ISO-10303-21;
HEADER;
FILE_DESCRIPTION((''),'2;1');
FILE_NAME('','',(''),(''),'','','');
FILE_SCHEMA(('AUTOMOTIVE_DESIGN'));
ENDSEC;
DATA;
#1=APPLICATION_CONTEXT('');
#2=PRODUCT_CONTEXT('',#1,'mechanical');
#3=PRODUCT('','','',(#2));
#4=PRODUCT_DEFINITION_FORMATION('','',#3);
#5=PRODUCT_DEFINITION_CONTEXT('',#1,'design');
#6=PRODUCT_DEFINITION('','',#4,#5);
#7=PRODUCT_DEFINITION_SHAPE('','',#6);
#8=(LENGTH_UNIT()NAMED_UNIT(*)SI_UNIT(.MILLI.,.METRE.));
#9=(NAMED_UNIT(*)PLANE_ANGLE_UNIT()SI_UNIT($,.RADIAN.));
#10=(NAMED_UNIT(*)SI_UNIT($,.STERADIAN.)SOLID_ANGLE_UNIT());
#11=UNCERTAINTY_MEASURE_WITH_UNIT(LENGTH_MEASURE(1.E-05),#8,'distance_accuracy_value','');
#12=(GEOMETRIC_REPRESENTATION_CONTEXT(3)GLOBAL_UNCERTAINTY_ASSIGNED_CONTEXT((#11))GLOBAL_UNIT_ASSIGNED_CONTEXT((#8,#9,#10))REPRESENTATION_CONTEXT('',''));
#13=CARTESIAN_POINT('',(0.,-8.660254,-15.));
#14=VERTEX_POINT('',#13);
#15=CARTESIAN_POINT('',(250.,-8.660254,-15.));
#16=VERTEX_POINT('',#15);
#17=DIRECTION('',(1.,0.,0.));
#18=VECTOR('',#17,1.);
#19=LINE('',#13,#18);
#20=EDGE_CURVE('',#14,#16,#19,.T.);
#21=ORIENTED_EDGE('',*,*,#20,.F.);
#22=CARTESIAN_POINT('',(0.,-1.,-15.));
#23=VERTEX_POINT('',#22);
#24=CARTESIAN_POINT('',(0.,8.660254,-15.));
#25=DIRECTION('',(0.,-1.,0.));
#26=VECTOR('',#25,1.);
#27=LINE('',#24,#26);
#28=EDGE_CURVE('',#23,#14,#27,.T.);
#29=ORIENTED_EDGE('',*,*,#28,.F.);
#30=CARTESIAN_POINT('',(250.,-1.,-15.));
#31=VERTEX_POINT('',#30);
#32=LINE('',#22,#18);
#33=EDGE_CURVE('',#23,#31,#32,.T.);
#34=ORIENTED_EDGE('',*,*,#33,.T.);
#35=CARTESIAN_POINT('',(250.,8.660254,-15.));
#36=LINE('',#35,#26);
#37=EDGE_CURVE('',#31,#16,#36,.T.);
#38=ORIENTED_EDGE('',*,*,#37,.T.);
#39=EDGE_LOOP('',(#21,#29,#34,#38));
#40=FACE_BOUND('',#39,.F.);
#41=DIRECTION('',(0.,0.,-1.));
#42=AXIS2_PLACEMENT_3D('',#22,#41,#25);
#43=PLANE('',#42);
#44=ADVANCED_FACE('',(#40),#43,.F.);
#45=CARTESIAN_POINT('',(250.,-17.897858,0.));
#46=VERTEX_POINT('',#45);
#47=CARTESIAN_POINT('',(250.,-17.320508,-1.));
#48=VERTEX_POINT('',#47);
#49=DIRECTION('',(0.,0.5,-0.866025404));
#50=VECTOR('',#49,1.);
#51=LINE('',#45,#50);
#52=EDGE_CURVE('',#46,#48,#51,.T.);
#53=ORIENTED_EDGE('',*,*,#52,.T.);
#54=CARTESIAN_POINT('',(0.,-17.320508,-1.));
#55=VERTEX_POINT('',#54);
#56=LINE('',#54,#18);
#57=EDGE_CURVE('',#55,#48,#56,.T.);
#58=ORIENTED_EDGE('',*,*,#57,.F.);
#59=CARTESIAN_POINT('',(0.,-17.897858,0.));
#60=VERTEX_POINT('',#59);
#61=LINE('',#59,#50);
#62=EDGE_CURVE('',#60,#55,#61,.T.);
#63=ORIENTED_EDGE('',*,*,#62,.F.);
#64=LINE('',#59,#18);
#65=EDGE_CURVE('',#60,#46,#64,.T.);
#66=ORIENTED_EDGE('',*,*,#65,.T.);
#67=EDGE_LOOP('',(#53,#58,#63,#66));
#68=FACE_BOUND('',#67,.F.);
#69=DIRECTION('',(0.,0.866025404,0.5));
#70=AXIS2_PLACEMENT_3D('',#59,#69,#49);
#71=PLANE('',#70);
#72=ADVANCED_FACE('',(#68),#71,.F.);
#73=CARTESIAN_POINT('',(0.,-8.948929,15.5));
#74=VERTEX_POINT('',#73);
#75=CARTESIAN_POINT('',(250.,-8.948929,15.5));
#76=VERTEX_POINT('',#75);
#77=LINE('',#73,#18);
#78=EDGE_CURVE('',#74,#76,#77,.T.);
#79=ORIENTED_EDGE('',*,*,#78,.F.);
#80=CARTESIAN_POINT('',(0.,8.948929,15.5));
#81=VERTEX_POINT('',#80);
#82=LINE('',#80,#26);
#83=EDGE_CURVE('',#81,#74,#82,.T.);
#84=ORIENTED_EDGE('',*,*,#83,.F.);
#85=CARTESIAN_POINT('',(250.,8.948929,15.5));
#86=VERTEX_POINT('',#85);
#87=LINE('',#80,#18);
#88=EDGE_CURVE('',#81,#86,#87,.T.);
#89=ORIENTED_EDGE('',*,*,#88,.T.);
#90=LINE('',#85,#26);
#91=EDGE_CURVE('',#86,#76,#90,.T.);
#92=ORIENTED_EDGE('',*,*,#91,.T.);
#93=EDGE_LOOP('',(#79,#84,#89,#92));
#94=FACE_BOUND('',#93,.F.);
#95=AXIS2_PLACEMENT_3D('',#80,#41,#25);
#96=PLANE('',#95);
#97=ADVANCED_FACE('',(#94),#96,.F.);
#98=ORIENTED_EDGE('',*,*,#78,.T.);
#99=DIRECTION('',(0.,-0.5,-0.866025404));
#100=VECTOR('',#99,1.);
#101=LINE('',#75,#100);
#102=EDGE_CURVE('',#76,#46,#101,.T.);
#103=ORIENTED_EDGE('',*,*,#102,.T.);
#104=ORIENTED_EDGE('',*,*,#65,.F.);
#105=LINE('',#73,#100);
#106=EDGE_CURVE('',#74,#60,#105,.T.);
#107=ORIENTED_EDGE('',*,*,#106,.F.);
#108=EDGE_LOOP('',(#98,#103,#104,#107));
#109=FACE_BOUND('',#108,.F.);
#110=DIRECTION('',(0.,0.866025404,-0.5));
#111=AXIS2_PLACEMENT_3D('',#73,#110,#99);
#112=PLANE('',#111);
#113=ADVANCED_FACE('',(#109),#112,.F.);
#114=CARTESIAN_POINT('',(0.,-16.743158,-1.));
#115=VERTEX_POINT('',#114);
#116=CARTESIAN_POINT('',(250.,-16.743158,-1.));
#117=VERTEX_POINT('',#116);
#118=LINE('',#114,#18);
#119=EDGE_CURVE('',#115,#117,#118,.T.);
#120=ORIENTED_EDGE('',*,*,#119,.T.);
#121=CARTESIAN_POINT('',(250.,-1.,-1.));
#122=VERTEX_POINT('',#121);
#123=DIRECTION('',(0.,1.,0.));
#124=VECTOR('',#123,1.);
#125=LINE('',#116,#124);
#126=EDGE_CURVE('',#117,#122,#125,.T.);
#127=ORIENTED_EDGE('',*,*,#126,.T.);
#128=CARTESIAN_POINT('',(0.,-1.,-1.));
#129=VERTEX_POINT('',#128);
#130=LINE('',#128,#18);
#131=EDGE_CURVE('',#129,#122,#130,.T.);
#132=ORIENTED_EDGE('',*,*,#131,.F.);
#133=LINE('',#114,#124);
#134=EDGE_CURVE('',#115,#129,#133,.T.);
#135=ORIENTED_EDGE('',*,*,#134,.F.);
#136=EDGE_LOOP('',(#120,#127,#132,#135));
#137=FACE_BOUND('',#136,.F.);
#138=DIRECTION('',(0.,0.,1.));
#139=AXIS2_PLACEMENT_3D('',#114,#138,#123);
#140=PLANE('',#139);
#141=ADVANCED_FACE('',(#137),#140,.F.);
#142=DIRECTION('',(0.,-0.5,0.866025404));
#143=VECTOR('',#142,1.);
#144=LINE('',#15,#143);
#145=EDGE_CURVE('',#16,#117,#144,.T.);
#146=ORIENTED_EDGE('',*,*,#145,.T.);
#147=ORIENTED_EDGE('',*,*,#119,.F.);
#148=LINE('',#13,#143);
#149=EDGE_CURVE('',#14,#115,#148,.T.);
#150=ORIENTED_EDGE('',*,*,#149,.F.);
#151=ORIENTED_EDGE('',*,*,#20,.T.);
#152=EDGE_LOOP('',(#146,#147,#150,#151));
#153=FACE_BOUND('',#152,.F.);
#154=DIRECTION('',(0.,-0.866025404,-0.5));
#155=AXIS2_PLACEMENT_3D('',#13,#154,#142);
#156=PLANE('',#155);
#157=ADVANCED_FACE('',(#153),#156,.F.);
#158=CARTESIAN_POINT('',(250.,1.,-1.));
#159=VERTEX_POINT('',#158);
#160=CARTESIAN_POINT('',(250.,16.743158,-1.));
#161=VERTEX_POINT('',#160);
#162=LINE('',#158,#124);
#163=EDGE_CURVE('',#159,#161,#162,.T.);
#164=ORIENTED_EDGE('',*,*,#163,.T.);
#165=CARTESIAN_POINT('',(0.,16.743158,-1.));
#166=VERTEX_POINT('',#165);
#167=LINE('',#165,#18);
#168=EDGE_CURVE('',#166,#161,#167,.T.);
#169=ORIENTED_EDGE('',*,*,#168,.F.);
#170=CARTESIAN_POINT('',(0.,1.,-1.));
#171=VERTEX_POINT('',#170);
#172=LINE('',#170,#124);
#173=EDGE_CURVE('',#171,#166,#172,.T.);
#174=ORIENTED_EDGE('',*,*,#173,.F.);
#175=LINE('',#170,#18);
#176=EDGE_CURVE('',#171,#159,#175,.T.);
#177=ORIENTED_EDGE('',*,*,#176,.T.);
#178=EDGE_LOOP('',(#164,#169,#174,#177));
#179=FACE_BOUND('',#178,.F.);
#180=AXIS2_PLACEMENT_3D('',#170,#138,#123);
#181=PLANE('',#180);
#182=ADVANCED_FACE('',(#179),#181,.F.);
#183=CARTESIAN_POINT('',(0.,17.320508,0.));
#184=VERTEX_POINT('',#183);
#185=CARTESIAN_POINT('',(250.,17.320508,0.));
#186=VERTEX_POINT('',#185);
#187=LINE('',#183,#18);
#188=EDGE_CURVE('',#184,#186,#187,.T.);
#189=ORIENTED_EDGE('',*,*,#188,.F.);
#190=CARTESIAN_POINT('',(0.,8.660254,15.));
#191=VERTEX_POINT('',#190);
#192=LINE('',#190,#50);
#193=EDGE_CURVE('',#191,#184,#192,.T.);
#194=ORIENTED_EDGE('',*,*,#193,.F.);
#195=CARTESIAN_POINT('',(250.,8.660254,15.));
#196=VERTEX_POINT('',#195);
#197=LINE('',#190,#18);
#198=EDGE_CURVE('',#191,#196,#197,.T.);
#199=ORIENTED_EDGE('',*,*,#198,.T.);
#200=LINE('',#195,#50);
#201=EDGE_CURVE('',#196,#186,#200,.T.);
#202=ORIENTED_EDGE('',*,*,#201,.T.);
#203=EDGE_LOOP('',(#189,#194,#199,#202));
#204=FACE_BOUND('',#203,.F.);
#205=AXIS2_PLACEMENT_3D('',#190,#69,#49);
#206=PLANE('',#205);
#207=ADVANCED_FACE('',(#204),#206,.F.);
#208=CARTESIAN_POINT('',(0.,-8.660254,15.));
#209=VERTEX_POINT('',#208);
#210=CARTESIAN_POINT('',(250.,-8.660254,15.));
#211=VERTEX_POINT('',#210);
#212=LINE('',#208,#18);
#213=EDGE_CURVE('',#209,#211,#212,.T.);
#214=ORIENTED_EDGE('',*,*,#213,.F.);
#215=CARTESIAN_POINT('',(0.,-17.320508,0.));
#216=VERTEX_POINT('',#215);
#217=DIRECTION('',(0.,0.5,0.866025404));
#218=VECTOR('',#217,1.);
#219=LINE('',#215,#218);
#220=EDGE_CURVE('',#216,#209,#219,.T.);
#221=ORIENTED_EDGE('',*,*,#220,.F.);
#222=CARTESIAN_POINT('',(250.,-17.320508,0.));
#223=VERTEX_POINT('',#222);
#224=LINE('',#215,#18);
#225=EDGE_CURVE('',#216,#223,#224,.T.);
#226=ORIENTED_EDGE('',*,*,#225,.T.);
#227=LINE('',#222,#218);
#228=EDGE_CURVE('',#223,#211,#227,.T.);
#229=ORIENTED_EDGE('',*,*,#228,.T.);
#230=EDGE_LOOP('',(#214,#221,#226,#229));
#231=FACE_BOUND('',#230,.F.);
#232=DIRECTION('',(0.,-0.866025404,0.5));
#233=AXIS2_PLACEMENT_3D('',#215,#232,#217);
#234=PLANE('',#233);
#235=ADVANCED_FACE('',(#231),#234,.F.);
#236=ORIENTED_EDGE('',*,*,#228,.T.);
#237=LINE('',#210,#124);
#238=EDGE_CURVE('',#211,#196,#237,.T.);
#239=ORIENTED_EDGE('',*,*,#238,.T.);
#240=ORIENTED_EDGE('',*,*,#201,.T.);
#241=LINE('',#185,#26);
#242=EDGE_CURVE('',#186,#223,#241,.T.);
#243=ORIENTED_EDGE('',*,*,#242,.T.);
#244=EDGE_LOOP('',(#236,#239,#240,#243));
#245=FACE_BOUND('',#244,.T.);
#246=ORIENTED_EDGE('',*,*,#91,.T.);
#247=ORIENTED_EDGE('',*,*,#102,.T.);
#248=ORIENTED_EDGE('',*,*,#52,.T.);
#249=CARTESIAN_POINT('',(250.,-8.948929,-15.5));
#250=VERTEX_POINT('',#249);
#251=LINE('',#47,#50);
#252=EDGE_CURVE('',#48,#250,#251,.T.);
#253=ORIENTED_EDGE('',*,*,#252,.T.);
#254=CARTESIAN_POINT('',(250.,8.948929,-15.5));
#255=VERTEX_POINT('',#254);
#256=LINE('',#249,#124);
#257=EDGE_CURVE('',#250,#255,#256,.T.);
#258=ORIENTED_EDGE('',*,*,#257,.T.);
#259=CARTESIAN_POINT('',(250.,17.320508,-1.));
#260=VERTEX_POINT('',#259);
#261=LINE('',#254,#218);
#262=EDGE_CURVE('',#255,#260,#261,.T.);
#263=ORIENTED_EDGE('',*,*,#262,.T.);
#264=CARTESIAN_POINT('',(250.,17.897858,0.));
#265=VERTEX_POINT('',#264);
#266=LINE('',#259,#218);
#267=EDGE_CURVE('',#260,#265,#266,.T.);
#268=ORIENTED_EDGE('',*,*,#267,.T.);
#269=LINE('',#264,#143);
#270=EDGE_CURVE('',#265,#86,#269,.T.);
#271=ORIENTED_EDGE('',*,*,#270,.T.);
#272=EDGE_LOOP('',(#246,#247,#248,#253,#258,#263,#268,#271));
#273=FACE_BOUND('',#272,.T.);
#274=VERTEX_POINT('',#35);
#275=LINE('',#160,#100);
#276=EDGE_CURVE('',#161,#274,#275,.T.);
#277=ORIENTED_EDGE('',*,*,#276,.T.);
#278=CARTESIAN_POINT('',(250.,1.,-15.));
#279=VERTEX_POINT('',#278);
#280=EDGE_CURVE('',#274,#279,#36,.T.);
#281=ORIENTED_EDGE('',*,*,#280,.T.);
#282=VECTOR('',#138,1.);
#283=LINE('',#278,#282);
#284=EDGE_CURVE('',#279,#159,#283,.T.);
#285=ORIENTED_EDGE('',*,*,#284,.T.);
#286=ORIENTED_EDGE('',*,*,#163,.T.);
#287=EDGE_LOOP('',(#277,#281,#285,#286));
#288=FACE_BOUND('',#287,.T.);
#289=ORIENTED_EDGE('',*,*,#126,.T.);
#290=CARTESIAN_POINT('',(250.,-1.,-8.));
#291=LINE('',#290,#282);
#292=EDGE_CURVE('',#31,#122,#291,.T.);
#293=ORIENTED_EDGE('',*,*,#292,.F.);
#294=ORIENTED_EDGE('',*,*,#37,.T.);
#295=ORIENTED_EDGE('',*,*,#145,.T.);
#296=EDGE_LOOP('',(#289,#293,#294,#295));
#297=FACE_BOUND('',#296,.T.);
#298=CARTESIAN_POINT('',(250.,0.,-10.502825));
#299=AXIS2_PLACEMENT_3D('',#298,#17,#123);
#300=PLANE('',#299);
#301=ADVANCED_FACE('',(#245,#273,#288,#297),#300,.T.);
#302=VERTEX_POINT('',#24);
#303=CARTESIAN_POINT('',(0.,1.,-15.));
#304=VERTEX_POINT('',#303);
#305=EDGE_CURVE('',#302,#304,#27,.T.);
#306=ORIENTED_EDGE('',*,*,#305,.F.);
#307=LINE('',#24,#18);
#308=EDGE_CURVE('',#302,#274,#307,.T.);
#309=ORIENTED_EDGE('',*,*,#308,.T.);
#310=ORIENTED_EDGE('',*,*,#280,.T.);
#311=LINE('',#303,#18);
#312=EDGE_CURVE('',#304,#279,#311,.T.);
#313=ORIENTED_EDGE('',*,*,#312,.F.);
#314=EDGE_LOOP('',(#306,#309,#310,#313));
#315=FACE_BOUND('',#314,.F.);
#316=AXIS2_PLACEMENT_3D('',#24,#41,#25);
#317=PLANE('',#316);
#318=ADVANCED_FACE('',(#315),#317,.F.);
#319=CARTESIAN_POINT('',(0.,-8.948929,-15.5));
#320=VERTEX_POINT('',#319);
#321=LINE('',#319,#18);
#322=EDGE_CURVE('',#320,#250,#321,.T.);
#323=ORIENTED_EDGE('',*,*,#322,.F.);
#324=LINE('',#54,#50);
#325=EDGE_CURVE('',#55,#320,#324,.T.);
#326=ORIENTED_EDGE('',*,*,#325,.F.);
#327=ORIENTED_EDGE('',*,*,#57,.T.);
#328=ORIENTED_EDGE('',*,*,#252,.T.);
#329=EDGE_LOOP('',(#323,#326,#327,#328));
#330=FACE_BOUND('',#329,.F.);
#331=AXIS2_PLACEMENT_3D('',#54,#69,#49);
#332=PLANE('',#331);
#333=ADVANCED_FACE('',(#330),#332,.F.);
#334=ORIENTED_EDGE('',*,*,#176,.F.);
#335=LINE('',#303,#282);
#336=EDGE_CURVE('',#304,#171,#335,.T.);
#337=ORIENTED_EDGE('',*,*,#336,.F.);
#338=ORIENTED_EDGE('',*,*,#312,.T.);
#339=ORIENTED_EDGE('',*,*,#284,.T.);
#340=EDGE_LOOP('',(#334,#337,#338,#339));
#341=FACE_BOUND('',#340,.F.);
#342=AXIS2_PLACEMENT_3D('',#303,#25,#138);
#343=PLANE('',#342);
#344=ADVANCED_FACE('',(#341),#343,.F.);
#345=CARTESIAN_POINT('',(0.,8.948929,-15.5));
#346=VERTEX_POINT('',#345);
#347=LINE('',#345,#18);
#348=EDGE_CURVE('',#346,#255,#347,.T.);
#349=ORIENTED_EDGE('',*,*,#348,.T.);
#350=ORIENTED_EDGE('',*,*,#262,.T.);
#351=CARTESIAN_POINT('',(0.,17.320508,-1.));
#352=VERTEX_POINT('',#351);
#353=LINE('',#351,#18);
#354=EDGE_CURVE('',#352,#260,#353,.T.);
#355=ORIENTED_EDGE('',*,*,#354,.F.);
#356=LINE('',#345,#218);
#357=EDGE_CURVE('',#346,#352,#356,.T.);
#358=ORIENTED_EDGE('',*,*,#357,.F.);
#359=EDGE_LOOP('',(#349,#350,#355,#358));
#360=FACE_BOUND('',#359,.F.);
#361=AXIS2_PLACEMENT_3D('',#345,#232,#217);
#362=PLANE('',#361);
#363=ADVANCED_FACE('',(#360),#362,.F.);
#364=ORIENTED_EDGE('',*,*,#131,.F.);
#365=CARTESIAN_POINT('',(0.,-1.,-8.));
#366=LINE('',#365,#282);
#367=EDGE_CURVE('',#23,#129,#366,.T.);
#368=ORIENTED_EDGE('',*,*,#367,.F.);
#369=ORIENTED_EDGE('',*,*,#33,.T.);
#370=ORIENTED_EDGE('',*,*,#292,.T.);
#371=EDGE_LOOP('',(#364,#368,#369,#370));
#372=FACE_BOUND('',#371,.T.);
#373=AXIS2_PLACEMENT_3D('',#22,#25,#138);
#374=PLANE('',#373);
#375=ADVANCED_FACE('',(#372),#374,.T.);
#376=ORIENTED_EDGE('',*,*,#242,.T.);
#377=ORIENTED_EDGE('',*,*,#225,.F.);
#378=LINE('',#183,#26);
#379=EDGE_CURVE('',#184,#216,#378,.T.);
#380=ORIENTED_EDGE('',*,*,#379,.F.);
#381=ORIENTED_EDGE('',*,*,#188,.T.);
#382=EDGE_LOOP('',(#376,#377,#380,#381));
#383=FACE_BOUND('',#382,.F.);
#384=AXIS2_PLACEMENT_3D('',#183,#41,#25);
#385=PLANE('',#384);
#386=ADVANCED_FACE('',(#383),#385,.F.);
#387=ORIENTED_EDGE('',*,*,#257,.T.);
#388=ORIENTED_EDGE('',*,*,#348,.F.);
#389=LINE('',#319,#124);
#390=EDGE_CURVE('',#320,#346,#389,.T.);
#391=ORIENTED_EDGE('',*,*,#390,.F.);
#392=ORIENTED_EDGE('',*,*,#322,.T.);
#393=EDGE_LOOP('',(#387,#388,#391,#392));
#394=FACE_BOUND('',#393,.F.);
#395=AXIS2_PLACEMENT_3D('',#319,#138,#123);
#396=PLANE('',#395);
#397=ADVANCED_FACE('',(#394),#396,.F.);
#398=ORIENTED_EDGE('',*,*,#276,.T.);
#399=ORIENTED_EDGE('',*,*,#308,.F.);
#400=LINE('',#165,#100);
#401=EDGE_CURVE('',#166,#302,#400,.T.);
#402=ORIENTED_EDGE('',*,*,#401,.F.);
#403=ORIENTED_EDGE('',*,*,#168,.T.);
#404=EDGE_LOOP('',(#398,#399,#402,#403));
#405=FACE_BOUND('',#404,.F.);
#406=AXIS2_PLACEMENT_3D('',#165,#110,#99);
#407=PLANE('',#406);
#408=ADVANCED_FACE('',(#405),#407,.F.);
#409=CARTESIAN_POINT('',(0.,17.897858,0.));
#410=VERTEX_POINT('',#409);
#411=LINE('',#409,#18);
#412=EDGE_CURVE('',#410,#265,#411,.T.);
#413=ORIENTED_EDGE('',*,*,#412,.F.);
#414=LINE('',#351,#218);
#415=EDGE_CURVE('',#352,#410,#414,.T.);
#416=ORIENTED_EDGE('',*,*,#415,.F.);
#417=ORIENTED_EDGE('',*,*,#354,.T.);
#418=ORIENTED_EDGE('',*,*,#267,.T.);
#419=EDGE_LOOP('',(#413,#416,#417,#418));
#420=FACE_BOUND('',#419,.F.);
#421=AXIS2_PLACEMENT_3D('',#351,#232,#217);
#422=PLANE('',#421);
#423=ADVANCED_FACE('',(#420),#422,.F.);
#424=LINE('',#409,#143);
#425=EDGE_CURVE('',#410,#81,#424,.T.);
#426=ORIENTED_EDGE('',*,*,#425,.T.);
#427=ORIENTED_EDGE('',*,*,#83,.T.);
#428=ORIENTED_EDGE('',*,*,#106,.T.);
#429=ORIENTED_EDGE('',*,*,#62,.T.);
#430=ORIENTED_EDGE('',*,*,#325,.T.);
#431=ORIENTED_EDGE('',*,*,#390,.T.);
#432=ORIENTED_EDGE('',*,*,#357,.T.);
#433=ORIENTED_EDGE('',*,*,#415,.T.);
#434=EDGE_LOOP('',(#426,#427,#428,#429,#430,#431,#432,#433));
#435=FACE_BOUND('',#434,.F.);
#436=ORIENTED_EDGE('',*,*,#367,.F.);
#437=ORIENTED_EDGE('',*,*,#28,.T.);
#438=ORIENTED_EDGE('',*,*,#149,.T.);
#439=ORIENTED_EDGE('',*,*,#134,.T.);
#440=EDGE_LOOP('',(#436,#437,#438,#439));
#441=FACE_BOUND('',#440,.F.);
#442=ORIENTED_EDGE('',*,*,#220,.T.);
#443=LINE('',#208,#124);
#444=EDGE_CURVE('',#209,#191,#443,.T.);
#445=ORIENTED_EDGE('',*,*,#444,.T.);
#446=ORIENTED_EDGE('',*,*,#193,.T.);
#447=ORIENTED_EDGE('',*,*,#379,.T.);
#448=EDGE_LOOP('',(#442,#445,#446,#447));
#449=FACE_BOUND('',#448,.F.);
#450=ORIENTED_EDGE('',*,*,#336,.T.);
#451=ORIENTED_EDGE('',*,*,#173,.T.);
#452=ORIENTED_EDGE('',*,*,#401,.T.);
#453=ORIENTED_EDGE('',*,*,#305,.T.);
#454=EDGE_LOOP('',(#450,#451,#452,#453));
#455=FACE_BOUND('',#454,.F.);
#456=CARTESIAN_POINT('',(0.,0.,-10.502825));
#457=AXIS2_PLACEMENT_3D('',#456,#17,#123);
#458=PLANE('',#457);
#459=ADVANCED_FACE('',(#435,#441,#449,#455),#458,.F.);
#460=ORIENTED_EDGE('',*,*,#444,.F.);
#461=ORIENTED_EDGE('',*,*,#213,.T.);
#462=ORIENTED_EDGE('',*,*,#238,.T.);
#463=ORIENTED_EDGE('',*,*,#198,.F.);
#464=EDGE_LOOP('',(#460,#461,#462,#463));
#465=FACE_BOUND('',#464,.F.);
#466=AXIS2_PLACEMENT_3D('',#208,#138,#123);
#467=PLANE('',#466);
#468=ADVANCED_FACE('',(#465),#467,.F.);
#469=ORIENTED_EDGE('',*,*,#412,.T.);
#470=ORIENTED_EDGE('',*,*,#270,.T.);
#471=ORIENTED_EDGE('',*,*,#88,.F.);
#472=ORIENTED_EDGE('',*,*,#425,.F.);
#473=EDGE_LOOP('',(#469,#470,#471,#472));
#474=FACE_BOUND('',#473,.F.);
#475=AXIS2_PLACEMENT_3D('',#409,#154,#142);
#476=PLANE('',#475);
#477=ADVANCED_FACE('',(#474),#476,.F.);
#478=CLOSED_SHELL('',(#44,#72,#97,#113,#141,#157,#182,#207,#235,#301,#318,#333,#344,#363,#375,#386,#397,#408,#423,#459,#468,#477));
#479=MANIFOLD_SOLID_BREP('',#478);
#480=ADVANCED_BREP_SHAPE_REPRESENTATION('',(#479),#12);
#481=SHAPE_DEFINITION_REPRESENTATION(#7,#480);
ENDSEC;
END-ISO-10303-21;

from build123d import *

# Parameters (mm, degrees)
F0_W     = 2
F0_H     = 14
F0_H_2   = 1
F1_DEPTH = 250


with BuildPart() as f1:
    # F0 (on Right) → F1 (new body)
    with BuildSketch(Plane.YZ):
        Polygon((16.7431578065, -1), (8.6602540378, -15), (1, -15), (-1, -15), (-8.6602540378, -15), (-16.7431578065, -1), (-17.3205080757, -1), (-8.9489291724, -15.5), (8.9489291724, -15.5), (17.3205080757, -1), align=None)
        Polygon((17.3205080757, 0), (16.7431578065, -1), (17.3205080757, -1), (17.8978583449, 0), (8.9489291724, 15.5), (-8.9489291724, 15.5), (-17.8978583449, 0), (-17.3205080757, -1), (-16.7431578065, -1), (-17.3205080757, 0), (-8.6602540378, 15), (8.6602540378, 15), align=None)
        Polygon((-16.7431578065, -1), (-1, -1), (-1, 0), (-17.3205080757, 0), align=None)
        with Locations((0, -8)):
            Rectangle(F0_W, F0_H)
        with Locations((0, -0.5)):
            Rectangle(F0_W, F0_H_2)
        Polygon((1, -1), (16.7431578065, -1), (17.3205080757, 0), (1, 0), align=None)
    extrude(amount=F1_DEPTH)


solid = f1.part
